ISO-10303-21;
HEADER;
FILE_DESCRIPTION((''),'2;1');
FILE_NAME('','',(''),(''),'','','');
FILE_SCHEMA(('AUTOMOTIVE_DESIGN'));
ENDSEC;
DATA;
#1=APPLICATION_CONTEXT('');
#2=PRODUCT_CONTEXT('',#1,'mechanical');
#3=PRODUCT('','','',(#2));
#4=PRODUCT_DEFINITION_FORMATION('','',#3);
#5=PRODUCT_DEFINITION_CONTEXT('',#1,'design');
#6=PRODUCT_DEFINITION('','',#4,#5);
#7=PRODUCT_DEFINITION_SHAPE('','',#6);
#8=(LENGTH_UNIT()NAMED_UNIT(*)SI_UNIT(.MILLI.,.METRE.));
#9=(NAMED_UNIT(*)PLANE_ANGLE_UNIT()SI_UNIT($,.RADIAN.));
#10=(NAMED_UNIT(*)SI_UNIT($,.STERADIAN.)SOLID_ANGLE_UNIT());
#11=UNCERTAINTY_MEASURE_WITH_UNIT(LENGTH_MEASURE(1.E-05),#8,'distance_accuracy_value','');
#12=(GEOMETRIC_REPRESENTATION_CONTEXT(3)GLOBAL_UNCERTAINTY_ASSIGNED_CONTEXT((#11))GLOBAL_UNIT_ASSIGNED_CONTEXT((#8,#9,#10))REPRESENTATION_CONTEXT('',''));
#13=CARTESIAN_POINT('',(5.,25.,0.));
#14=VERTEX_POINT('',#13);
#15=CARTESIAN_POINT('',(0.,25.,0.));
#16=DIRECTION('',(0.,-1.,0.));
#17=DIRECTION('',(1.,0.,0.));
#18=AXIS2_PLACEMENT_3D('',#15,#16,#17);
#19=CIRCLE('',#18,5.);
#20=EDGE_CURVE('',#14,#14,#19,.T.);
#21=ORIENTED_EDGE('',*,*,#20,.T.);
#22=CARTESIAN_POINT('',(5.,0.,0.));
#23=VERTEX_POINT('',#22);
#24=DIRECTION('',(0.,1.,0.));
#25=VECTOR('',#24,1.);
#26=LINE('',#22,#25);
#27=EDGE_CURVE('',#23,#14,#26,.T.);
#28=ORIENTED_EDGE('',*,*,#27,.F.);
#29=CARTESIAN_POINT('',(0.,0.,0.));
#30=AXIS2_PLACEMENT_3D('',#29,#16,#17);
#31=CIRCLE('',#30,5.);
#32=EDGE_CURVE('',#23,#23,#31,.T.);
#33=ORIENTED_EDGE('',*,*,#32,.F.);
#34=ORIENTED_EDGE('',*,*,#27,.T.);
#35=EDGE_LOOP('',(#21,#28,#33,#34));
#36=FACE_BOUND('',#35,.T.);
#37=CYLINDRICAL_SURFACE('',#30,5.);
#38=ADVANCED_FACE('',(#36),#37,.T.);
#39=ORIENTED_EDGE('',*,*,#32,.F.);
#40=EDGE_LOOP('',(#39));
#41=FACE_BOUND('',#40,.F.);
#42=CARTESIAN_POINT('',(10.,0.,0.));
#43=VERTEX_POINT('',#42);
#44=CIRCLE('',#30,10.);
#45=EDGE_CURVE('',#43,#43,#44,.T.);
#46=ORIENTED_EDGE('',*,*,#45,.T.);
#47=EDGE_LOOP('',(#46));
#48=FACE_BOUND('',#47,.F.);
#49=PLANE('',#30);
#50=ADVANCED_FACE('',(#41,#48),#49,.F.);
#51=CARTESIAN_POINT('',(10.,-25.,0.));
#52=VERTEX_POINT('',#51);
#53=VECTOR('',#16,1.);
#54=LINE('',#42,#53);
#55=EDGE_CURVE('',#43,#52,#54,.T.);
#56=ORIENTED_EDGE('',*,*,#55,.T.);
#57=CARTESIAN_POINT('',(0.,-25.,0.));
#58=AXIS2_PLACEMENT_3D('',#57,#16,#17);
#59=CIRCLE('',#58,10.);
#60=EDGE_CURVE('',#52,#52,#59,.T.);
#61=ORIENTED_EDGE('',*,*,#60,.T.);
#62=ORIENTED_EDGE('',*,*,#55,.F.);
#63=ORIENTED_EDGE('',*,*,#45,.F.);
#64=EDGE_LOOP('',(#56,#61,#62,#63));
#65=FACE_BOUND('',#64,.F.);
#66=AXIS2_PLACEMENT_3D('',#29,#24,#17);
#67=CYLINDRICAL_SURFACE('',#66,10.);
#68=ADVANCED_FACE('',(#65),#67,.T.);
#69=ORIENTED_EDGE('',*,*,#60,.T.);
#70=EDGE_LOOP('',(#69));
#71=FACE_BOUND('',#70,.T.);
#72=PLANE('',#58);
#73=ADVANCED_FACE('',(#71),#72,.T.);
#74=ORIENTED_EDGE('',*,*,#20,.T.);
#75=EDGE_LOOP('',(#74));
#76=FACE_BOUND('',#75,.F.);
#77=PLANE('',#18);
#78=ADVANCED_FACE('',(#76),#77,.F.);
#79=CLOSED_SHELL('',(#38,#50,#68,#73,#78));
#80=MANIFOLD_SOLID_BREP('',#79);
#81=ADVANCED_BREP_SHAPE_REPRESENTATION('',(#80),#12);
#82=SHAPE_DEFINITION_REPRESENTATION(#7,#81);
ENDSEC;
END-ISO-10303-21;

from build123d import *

# Parameters (mm, degrees)
F0_R     = 10
F1_DEPTH = 25
F2_R     = 5
F3_DEPTH = 25


with BuildPart() as f1:
    # F0 (on Front) → F1 (new body)
    with BuildSketch(Plane.XZ):
        Circle(F0_R)
    extrude(amount=F1_DEPTH)

    # F2 (on face) → F3 (join)
    with BuildSketch(Plane.XZ):
        Circle(F2_R)
    extrude(amount=-F3_DEPTH)


solid = f1.part
